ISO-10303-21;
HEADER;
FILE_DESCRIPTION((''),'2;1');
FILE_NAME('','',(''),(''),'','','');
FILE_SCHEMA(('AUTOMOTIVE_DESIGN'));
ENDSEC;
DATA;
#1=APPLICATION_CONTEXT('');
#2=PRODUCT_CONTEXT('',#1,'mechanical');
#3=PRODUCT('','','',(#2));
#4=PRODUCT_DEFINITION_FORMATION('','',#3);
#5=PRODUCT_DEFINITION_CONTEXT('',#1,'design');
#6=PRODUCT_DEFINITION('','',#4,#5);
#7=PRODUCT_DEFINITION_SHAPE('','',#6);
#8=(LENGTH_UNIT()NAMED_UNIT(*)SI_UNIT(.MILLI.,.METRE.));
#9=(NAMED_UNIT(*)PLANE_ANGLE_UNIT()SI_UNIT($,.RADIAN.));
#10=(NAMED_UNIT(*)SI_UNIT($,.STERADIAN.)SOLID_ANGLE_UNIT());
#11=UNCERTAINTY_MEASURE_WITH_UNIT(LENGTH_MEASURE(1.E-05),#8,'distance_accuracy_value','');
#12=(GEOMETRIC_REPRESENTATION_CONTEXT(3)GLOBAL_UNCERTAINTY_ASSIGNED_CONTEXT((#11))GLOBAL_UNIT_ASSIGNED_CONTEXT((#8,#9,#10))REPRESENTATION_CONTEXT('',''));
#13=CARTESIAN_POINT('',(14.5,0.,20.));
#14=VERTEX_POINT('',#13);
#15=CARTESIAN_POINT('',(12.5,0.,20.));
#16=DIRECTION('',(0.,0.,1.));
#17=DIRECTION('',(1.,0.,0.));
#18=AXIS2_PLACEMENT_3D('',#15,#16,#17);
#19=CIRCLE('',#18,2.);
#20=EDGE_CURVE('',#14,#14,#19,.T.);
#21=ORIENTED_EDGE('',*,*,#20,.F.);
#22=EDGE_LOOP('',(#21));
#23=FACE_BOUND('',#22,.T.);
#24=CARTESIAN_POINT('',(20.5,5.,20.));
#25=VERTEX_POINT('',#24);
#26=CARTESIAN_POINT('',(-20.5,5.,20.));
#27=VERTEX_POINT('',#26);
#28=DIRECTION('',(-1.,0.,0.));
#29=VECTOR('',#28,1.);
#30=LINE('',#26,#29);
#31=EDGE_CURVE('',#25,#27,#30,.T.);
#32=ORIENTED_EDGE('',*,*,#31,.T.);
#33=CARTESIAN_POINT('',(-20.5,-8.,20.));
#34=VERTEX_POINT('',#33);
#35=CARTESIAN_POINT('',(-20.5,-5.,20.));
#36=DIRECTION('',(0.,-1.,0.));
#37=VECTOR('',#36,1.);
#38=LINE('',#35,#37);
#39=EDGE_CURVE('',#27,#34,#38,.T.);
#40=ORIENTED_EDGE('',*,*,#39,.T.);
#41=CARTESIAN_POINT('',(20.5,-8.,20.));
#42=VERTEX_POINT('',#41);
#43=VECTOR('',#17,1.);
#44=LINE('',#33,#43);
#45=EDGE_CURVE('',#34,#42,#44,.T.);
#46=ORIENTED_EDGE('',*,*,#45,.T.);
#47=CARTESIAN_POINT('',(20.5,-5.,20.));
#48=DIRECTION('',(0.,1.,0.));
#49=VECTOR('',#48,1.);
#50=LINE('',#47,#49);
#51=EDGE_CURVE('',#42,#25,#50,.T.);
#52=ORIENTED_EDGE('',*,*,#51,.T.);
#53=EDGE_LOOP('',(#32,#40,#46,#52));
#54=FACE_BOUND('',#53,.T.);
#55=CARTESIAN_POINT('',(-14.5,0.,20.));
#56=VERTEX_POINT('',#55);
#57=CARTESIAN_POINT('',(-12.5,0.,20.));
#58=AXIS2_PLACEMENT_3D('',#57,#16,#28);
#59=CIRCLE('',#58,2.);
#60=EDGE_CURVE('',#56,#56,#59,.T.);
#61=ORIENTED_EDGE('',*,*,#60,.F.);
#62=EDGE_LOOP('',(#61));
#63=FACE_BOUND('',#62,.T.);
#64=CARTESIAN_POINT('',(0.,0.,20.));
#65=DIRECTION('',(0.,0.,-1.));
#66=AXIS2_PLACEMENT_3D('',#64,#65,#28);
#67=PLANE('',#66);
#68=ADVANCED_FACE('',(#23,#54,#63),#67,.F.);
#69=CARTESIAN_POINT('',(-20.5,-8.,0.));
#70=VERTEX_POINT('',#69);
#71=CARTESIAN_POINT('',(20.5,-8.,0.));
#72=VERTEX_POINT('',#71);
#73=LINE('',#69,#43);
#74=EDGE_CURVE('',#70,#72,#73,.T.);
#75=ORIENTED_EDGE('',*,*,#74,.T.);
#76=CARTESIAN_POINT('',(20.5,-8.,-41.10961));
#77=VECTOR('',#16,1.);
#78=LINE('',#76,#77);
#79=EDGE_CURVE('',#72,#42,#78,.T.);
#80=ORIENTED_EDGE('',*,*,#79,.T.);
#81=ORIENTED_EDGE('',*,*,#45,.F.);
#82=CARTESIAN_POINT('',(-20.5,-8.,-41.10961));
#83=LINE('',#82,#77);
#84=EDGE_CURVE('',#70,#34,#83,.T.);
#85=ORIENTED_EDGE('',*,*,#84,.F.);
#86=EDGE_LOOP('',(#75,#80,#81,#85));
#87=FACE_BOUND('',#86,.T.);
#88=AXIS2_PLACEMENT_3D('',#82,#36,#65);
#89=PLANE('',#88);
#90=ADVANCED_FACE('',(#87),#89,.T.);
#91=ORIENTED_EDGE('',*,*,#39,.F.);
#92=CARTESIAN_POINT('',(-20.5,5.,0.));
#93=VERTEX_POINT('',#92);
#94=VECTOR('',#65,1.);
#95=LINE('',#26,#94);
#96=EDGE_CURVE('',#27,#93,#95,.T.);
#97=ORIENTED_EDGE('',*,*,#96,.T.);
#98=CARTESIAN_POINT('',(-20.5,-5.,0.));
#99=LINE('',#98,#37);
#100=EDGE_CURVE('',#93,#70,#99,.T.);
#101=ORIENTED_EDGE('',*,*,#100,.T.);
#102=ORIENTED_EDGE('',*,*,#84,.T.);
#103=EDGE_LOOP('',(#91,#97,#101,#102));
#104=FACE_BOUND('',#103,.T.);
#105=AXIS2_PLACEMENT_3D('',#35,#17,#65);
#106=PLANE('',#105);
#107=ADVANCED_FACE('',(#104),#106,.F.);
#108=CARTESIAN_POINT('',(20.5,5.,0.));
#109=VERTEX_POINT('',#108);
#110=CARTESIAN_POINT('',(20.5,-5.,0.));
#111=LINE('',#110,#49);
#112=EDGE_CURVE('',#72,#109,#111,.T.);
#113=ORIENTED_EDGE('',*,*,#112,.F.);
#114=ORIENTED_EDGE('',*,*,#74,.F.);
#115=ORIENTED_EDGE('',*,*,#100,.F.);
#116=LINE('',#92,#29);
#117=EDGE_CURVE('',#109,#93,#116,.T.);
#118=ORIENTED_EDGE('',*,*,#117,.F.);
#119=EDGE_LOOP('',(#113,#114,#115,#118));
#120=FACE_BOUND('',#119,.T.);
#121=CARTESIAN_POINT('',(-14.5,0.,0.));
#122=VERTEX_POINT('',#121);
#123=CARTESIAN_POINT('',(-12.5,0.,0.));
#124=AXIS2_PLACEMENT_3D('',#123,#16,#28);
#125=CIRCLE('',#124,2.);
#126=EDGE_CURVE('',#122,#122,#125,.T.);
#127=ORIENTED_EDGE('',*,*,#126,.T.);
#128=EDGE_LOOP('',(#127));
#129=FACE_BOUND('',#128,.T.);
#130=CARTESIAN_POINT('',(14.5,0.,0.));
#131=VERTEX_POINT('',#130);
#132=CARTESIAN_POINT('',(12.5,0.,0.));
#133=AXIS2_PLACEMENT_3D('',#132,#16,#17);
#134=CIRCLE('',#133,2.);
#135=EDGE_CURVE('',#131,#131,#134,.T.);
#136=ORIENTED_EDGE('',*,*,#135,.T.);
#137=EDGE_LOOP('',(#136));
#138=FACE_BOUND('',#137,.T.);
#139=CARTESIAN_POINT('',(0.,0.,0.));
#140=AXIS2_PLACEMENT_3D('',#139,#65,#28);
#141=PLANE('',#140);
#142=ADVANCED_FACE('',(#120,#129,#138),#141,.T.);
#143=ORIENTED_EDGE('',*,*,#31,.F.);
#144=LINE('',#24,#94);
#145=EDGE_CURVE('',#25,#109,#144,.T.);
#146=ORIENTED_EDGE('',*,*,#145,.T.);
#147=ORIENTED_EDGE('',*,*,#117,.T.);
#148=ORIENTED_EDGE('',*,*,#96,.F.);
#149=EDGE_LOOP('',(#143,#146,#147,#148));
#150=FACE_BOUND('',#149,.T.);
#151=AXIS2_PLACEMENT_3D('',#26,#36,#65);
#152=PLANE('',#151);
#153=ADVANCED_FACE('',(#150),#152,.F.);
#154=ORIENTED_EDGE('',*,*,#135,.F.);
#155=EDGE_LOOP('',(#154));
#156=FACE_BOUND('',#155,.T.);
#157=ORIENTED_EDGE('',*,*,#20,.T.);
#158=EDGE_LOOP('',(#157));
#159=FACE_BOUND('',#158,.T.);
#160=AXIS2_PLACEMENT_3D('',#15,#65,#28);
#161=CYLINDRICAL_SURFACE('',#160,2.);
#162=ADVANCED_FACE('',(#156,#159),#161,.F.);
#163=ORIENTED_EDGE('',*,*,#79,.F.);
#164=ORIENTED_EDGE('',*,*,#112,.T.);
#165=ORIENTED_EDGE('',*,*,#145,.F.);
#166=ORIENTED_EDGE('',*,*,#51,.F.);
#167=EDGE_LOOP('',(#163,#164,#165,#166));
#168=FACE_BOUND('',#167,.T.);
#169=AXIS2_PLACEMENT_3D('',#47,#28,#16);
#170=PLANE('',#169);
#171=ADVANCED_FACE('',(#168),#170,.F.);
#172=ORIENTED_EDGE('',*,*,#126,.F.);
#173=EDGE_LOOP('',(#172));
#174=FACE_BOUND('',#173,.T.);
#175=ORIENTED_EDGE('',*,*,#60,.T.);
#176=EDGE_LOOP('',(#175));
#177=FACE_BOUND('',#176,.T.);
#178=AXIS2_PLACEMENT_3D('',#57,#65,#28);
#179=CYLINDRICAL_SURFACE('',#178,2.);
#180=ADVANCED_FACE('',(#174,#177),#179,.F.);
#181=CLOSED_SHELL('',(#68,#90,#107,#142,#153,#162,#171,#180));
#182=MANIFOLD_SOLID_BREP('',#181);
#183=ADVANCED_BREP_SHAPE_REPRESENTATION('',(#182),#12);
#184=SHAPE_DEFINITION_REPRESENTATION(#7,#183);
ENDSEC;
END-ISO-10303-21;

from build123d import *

# Parameters (mm, degrees)
SKETCH_1_W      = 41
SKETCH_1_H      = 10
SKETCH_1_R      = 2
EXTRUDE_1_DEPTH = 20
SKETCH_2_W      = 41
SKETCH_2_H      = 3
EXTRUDE_2_DEPTH = 20


with BuildPart() as part:
    # 草图1 → 凸台-拉伸1 (new body)
    with BuildSketch(Plane.XY):
        Rectangle(SKETCH_1_W, SKETCH_1_H)
        with Locations((12.5, 0)):
            Circle(SKETCH_1_R, mode=Mode.SUBTRACT)
        with Locations(Location((-12.5, 0, 0), (0, 0, 180))):
            Circle(SKETCH_1_R, mode=Mode.SUBTRACT)
    extrude(amount=EXTRUDE_1_DEPTH)

    # 草图2 → 凸台-拉伸2 (add)
    with BuildSketch(Plane.XY.offset(20)):
        with Locations((0, -6.5)):
            Rectangle(SKETCH_2_W, SKETCH_2_H)
    extrude(amount=-EXTRUDE_2_DEPTH)


solid = part.part
